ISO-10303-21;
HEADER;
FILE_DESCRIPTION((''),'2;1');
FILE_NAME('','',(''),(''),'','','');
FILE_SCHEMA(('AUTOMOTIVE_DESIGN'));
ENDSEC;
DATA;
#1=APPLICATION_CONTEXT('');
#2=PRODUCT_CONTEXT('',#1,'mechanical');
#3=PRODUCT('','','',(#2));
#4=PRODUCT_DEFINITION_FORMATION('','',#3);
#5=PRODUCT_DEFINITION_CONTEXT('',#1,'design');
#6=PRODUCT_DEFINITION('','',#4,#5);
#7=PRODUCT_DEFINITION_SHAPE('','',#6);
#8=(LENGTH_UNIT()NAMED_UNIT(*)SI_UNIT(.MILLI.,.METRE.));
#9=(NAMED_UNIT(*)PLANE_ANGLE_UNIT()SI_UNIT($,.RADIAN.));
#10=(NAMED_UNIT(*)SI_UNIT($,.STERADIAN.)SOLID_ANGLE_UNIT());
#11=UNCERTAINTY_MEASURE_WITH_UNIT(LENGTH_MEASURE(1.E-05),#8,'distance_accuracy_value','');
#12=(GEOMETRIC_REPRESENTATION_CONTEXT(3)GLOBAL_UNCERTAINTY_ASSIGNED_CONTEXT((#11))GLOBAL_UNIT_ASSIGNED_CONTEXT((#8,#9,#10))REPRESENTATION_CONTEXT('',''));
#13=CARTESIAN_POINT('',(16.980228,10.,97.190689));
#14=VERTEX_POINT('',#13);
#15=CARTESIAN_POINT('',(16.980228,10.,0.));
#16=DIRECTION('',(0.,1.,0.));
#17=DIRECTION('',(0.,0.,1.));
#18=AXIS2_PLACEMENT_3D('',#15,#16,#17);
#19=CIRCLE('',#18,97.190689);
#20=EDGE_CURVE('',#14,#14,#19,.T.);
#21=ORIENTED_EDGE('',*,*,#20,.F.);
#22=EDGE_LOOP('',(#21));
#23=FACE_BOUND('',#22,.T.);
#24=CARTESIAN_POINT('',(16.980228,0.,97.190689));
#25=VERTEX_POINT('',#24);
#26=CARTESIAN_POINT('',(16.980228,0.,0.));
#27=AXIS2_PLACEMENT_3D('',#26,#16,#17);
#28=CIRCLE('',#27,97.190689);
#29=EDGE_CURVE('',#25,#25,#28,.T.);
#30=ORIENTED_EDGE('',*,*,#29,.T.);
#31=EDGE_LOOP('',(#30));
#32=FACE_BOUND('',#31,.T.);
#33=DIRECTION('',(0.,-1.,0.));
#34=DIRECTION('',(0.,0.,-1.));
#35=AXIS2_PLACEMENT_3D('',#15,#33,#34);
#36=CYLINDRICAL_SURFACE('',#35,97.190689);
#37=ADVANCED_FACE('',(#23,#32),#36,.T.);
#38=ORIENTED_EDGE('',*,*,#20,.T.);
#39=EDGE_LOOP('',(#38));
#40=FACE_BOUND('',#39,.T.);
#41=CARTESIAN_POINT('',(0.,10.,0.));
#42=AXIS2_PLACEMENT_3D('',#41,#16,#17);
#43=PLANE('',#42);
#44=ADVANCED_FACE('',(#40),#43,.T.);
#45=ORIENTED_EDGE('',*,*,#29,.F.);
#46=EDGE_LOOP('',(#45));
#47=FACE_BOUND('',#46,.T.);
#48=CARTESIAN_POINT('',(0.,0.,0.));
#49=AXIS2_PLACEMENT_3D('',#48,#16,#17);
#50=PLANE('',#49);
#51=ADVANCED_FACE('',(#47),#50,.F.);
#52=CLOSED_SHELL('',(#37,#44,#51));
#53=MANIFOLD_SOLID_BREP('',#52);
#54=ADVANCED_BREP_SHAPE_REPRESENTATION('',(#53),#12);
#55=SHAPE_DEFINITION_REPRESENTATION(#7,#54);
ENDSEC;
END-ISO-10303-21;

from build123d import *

# Parameters (mm, degrees)
SKETCH1_R           = 97.19068884
BOSS_EXTRUDE1_DEPTH = 10


with BuildPart() as part:
    # Sketch1 → Boss-Extrude1 (new body)
    with BuildSketch(Plane(origin=(0, 0, 0), x_dir=(1, 0, 0), z_dir=(0, 1, 0))):
        with Locations(Location((16.980227673, 0, 0), (0, 0, 270))):
            Circle(SKETCH1_R)
    extrude(amount=BOSS_EXTRUDE1_DEPTH)


solid = part.part
